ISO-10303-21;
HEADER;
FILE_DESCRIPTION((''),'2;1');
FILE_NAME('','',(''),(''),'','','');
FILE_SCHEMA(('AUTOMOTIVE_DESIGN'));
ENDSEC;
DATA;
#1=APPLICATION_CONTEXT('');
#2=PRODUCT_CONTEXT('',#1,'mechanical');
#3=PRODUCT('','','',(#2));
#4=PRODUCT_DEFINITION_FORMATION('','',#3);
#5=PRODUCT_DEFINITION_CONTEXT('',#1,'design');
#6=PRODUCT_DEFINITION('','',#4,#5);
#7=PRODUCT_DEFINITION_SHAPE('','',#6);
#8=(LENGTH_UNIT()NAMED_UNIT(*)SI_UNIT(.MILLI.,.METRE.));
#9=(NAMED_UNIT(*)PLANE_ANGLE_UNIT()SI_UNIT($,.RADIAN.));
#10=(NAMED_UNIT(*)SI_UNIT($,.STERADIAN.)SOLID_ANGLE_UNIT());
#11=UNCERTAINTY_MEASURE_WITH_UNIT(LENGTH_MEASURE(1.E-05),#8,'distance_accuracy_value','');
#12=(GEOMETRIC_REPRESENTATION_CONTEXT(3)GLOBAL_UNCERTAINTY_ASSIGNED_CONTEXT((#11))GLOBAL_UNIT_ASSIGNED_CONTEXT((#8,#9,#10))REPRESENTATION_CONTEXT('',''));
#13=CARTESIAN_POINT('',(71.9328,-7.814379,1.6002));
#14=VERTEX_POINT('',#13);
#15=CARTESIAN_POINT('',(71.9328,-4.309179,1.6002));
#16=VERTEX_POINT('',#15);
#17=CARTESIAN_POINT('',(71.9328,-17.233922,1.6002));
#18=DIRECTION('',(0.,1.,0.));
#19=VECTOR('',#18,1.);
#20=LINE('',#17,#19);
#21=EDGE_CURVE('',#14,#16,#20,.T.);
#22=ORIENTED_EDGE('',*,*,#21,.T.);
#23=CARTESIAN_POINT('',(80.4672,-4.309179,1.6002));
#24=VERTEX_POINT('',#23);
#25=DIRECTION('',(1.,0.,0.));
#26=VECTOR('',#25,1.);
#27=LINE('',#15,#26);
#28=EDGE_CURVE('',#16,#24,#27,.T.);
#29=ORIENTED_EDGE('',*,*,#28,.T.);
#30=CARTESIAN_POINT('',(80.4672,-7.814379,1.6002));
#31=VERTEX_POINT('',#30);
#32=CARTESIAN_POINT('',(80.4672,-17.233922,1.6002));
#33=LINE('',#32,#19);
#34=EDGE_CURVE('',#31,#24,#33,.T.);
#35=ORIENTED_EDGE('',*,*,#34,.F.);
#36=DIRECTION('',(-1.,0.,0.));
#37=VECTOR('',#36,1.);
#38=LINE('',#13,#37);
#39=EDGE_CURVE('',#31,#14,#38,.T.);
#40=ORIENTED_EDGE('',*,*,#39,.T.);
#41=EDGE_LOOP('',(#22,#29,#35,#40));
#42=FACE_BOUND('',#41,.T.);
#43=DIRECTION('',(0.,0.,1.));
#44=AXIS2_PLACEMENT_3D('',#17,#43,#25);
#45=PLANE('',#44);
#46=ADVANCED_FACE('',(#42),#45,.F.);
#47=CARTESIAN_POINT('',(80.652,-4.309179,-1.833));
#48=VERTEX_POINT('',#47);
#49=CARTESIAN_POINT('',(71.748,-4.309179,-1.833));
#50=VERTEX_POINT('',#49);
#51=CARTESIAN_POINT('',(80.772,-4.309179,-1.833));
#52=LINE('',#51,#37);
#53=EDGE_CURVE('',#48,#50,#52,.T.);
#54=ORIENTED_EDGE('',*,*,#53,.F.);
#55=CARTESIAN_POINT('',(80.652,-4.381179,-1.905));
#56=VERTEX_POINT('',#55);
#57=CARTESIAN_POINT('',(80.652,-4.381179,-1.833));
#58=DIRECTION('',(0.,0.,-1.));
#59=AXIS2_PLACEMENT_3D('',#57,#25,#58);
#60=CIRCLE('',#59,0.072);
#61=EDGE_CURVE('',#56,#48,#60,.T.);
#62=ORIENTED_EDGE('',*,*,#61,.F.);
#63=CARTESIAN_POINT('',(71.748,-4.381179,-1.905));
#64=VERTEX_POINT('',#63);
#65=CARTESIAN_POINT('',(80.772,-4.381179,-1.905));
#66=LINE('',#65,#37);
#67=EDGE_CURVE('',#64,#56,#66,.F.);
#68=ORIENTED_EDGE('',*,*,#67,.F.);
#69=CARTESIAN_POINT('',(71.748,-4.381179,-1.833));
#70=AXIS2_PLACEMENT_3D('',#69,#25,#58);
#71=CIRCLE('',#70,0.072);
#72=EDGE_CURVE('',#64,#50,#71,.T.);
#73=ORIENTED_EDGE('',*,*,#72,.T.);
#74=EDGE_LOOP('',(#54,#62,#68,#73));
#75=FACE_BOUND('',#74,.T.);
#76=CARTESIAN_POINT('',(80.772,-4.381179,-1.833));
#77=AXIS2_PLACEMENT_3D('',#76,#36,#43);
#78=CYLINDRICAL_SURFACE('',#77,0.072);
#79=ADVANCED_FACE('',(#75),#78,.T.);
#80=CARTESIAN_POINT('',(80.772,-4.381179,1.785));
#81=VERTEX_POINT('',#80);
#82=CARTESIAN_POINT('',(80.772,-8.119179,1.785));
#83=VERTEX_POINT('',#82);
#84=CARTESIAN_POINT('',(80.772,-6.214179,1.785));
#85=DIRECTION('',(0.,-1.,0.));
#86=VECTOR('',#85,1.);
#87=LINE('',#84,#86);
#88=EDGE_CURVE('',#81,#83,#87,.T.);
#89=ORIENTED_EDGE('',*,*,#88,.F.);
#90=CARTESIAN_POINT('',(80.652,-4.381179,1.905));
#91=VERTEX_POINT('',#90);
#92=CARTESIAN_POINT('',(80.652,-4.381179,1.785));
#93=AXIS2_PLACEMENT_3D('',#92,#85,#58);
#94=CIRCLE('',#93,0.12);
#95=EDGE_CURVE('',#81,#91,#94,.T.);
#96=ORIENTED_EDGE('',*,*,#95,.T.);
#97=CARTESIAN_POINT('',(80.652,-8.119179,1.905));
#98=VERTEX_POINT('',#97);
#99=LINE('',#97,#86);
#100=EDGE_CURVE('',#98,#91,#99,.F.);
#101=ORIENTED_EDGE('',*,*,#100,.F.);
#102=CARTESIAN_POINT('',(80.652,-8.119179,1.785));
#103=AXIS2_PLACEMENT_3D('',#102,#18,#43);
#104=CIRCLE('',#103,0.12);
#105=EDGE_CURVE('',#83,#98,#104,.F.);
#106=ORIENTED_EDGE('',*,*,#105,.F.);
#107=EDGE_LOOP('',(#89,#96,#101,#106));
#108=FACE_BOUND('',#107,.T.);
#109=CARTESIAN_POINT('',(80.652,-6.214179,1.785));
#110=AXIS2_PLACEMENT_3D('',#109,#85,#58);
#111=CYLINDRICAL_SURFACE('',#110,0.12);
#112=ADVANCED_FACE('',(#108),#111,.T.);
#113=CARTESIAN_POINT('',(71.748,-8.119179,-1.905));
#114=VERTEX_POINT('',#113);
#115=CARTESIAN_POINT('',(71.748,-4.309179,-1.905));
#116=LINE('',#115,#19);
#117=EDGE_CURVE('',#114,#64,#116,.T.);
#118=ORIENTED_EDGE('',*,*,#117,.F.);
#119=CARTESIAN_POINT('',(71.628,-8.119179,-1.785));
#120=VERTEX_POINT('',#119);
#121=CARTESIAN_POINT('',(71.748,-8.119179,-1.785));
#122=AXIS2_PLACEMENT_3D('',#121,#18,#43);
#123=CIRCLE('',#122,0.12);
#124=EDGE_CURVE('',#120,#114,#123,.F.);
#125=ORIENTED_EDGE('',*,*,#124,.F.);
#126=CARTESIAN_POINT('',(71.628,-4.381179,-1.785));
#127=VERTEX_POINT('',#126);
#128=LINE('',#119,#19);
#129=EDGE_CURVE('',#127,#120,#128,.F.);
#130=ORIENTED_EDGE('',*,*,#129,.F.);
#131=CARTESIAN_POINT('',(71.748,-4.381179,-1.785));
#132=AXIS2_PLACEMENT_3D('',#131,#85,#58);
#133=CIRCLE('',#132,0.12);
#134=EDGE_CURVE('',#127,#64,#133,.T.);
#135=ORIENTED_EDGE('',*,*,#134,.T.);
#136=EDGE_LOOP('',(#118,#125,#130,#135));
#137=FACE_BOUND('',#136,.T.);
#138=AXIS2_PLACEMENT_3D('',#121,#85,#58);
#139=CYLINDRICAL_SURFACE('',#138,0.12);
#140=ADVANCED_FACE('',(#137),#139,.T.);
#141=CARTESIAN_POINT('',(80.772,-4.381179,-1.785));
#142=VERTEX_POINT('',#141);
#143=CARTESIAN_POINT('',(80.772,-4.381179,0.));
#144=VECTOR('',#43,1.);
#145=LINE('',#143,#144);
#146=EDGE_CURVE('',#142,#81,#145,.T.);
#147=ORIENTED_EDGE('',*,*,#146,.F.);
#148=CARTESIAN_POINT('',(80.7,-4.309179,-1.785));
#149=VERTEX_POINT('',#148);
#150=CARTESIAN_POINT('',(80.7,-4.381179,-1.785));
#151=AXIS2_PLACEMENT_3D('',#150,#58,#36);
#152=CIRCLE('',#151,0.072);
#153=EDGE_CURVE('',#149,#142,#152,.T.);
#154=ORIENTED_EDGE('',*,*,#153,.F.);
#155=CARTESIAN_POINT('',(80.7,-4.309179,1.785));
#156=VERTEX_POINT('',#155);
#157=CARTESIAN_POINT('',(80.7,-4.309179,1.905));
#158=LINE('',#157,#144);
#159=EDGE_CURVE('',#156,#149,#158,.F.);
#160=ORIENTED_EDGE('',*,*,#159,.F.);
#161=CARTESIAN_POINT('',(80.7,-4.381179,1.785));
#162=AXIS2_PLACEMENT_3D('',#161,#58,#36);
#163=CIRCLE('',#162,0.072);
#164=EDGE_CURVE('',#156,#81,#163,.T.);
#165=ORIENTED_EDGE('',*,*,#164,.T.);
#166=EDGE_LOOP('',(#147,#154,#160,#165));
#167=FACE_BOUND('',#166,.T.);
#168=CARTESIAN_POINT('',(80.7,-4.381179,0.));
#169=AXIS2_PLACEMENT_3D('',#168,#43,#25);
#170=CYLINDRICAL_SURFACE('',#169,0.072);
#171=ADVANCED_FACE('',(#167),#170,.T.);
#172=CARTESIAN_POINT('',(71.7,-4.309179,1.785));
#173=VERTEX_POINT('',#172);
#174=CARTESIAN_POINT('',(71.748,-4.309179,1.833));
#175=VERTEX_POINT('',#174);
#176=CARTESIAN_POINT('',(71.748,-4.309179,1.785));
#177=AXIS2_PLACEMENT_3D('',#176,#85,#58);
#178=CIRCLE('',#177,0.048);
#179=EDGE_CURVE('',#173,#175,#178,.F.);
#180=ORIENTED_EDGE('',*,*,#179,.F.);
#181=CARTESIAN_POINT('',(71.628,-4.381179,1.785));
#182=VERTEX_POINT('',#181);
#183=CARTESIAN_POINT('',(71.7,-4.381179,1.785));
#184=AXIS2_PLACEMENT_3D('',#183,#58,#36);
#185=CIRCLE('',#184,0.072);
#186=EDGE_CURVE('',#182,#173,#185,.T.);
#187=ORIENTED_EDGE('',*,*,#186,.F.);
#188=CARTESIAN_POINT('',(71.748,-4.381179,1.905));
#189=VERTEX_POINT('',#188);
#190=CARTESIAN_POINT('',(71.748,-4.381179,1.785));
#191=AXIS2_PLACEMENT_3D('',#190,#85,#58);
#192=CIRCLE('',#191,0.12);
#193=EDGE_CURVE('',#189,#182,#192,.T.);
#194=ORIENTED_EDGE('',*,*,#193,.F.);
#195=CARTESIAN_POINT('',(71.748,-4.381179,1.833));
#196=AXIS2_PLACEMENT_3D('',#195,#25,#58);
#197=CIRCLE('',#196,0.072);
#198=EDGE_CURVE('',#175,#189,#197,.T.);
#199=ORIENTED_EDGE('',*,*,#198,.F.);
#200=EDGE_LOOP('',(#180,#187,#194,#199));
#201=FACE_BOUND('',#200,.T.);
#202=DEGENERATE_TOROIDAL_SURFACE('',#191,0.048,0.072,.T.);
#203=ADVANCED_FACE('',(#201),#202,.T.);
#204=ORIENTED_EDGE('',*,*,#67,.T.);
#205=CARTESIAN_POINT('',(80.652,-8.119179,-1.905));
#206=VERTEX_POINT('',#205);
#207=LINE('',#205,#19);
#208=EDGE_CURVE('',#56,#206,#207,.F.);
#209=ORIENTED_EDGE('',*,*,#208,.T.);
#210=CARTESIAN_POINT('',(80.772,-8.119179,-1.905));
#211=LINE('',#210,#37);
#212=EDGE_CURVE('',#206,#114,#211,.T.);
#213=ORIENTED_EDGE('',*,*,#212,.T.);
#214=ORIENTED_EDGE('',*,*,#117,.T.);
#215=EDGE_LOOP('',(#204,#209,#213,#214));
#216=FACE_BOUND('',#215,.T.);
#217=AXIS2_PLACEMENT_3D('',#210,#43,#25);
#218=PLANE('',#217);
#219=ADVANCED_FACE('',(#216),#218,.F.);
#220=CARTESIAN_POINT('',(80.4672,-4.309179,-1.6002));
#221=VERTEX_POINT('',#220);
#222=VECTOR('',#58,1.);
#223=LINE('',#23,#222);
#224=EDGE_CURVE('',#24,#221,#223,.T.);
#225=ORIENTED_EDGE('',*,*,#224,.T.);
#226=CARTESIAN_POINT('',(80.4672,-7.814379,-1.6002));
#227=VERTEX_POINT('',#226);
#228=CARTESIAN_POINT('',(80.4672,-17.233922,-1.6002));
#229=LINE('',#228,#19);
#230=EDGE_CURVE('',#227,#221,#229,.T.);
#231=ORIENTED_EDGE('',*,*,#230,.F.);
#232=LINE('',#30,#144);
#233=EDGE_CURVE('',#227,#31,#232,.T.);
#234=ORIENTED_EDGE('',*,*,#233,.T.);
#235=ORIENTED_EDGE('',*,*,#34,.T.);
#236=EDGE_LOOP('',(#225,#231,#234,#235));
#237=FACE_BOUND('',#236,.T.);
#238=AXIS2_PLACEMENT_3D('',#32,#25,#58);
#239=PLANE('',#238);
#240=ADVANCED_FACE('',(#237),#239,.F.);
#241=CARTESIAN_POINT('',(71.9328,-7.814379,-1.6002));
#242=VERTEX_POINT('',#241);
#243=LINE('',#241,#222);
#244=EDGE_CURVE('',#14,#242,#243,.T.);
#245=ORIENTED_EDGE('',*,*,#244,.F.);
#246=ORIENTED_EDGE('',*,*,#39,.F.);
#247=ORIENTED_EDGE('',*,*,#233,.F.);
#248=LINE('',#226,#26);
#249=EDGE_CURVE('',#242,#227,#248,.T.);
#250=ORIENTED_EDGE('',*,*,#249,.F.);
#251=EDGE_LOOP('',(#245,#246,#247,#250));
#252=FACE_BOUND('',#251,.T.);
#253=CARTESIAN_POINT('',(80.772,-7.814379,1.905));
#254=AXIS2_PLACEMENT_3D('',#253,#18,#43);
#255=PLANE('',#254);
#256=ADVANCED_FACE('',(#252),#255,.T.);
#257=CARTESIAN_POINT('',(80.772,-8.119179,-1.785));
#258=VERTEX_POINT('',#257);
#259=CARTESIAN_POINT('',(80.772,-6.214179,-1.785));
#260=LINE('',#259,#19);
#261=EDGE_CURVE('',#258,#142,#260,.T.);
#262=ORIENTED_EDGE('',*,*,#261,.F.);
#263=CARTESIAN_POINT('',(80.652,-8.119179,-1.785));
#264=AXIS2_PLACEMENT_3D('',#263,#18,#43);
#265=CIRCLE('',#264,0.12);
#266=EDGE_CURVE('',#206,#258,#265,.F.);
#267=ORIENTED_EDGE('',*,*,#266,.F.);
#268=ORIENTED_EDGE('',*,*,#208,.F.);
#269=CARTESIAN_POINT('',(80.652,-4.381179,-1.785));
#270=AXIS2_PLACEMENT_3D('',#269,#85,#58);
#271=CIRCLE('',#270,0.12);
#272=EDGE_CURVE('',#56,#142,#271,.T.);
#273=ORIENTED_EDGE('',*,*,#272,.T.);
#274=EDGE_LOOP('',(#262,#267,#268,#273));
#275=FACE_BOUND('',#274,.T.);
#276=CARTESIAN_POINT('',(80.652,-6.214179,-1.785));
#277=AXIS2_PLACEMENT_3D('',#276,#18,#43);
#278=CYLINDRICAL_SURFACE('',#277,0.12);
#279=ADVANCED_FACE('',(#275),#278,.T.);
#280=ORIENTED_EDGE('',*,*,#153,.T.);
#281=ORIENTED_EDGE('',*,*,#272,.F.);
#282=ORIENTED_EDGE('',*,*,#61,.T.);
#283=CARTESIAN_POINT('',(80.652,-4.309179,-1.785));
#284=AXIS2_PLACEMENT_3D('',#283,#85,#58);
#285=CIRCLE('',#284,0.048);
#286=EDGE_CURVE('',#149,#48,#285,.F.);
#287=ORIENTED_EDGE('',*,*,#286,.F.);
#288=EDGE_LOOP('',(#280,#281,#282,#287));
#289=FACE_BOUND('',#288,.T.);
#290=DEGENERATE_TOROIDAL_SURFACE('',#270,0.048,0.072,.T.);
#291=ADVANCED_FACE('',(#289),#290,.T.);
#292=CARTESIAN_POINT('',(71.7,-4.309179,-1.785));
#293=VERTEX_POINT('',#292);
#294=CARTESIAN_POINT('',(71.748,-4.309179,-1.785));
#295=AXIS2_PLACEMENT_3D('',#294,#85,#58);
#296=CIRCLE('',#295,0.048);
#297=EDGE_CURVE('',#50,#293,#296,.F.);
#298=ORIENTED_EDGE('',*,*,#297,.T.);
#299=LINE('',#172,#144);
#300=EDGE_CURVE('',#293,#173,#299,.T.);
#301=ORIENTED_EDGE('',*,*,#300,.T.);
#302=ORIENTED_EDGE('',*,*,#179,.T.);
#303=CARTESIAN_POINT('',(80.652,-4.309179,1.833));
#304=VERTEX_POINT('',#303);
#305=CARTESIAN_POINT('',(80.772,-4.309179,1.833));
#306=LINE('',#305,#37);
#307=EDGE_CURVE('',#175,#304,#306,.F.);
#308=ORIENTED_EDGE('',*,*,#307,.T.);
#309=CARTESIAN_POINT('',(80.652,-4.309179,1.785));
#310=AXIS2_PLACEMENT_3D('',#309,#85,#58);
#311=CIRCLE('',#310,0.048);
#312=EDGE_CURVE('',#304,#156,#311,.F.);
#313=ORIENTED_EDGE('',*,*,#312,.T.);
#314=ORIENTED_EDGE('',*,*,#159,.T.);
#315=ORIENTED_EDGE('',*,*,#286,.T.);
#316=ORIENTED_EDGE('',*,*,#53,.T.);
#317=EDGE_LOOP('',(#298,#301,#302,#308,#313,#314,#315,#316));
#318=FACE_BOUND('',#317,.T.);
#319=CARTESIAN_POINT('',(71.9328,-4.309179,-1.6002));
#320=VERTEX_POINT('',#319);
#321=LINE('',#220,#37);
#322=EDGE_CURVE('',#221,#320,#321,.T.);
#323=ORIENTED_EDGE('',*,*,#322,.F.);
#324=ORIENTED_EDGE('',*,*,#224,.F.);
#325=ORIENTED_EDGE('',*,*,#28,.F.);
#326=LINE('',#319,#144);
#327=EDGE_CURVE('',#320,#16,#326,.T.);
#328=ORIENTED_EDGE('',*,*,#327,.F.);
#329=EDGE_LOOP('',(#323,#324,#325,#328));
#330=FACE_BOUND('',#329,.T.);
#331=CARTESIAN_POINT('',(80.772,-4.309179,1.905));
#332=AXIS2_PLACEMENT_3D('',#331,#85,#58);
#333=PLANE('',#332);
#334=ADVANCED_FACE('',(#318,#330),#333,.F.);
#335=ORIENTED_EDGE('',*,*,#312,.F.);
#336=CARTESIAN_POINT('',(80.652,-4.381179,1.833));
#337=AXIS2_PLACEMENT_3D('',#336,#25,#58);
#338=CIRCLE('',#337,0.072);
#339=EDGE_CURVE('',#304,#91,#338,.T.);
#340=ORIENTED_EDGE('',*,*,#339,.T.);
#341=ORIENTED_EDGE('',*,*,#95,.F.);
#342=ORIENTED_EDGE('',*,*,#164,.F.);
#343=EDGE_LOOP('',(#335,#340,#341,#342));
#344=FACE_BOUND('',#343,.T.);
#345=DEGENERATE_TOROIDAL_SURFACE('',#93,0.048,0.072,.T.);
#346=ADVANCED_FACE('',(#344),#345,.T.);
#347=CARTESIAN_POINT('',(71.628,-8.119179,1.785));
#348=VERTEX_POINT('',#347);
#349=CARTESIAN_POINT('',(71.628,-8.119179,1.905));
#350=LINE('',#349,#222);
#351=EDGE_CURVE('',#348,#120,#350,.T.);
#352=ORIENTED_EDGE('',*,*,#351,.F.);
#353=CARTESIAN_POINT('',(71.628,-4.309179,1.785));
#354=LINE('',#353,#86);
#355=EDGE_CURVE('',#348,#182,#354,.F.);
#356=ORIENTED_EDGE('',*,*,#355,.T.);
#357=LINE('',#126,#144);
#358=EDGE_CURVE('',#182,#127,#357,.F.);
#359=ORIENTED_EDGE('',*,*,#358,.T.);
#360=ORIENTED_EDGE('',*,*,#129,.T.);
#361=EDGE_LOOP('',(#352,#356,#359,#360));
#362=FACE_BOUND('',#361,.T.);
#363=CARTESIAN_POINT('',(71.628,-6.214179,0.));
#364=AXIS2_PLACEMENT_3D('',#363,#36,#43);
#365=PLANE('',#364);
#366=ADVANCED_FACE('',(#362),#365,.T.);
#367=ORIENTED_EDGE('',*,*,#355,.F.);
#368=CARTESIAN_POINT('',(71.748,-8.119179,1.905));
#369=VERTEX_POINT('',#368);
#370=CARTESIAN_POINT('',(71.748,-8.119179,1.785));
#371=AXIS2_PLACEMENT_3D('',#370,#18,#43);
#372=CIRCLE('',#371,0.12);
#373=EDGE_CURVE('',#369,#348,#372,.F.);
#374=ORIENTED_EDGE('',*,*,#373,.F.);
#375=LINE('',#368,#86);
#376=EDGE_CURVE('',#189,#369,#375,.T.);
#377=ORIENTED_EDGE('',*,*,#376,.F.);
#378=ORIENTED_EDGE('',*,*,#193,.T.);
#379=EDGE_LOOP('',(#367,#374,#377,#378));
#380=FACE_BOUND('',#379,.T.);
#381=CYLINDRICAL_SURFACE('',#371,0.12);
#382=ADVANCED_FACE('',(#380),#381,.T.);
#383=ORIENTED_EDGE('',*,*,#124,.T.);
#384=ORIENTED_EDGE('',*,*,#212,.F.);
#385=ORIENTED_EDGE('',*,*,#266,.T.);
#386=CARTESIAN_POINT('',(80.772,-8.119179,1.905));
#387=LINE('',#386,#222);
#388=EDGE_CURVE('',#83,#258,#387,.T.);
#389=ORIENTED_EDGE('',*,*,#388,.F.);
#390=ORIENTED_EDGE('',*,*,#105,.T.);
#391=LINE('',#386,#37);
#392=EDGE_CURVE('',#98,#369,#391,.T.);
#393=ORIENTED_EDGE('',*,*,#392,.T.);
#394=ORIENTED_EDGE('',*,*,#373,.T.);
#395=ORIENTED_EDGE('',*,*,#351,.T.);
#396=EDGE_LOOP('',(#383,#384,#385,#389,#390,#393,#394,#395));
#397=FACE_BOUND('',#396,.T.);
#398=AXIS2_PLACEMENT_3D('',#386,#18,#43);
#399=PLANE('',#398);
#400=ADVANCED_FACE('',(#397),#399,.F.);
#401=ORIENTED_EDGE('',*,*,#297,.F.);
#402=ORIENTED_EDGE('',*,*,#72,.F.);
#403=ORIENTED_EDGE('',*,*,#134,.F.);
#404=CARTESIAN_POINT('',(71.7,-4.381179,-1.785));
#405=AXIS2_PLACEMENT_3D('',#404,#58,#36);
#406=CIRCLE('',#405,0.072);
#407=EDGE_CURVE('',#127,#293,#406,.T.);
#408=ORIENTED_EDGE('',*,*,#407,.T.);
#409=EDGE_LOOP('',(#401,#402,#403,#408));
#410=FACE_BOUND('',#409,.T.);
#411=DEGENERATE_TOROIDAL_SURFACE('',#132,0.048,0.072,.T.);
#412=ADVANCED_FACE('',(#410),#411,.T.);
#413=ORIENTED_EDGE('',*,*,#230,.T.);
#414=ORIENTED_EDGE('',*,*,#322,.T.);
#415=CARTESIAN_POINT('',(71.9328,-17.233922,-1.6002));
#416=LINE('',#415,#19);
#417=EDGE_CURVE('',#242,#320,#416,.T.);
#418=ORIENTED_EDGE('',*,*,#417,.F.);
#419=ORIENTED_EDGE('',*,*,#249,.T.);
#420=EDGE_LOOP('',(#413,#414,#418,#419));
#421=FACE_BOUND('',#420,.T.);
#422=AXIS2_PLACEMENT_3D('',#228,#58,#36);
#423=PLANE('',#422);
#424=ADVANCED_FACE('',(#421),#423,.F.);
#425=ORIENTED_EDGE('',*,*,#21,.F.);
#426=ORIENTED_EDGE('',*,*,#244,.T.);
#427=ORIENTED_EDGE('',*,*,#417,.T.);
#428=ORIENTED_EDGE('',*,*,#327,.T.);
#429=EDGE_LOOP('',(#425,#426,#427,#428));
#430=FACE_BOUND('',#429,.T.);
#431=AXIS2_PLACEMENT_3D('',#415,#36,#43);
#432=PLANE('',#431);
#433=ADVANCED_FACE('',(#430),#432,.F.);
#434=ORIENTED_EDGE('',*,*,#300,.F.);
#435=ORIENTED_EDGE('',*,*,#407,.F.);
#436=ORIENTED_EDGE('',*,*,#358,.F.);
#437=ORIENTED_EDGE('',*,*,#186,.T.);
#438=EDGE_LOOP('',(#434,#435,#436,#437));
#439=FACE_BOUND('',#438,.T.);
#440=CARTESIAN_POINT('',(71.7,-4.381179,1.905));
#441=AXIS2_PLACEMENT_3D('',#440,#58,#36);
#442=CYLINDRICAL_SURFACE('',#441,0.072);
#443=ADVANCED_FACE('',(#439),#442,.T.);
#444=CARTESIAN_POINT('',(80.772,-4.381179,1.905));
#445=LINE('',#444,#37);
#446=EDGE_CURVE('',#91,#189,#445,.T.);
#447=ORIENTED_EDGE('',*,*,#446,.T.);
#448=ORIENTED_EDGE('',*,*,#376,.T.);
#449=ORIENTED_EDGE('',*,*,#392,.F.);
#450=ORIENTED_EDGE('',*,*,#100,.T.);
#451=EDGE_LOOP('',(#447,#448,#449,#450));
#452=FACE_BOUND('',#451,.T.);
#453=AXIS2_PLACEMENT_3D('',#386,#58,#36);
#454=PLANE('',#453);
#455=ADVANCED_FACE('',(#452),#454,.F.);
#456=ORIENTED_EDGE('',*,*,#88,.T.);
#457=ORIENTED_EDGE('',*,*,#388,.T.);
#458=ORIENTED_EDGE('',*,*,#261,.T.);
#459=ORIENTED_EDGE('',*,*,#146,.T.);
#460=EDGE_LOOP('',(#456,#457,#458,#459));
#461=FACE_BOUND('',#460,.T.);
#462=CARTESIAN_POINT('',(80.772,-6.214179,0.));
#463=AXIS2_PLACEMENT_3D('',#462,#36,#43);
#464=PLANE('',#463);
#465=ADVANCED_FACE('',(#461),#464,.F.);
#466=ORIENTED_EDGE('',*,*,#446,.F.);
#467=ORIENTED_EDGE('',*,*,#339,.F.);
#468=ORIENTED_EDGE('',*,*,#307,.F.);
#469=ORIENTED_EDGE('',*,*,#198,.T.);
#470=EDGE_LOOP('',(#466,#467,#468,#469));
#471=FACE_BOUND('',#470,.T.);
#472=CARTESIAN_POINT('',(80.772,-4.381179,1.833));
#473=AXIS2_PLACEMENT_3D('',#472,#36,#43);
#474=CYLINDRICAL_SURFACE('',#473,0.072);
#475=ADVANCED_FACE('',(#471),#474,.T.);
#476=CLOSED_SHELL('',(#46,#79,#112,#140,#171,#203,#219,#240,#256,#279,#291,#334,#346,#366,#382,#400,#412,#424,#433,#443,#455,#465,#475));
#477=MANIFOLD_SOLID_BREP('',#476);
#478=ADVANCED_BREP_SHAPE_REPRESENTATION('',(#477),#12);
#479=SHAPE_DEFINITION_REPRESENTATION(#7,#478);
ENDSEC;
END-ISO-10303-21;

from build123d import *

# Parameters (mm, degrees)
SKETCH1_W           = 63.5
SKETCH1_H           = 63.5
BOSS_EXTRUDE1_DEPTH = 152.4
SKETCH2_W           = 142.24
SKETCH2_H           = 53.34
CUT_EXTRUDE1_DEPTH  = 58.42
FILLET1_R           = 2
FILLET2_R           = 1.2
SCALE1_SCALE        = 0.06


with BuildPart() as part:
    # Sketch1 → Boss-Extrude1 (new body)
    with BuildSketch(Plane(origin=(0, 0, 0), x_dir=(0, 0, -1), z_dir=(1, 0, 0))):
        Rectangle(SKETCH1_W, SKETCH1_H)
    extrude(amount=BOSS_EXTRUDE1_DEPTH)

    # Sketch2 → Cut-Extrude1 (cut)
    with BuildSketch(Plane(origin=(0, 31.75, 0), x_dir=(1, 0, 0), z_dir=(0, 1, 0))):
        with Locations((76.2, 0)):
            Rectangle(SKETCH2_W, SKETCH2_H)
    extrude(amount=-CUT_EXTRUDE1_DEPTH, mode=Mode.SUBTRACT)

    # Fillet1
    fillet1_edges = [part.edges().sort_by_distance(p)[0] for p in [
        (152.4, 0, 31.75),
        (152.4, 0, -31.75),
        (0, 0, 31.75),
        (0, 0, -31.75),
    ]]
    fillet(fillet1_edges, radius=FILLET1_R)

    # Fillet2
    fillet2_edges = [part.edges().sort_by_distance(p)[0] for p in [
        (152.4, 31.75, 0),
        (76.2, 31.75, 31.75),
        (0, 31.75, 0),
        (76.2, 31.75, -31.75),
        (0.585786438, 31.75, 31.164213562),
        (0.585786438, 31.75, -31.164213562),
        (151.814213562, 31.75, -31.164213562),
        (151.814213562, 31.75, 31.164213562),
    ]]
    fillet(fillet2_edges, radius=FILLET2_R)


with BuildPart() as part_1:
    # Scale1: scaled about (76.2, -6.610828931, 0)
    add(part.part.scale(SCALE1_SCALE).moved(Location((71.628, -6.214179195, 0))))


solid = part_1.part
